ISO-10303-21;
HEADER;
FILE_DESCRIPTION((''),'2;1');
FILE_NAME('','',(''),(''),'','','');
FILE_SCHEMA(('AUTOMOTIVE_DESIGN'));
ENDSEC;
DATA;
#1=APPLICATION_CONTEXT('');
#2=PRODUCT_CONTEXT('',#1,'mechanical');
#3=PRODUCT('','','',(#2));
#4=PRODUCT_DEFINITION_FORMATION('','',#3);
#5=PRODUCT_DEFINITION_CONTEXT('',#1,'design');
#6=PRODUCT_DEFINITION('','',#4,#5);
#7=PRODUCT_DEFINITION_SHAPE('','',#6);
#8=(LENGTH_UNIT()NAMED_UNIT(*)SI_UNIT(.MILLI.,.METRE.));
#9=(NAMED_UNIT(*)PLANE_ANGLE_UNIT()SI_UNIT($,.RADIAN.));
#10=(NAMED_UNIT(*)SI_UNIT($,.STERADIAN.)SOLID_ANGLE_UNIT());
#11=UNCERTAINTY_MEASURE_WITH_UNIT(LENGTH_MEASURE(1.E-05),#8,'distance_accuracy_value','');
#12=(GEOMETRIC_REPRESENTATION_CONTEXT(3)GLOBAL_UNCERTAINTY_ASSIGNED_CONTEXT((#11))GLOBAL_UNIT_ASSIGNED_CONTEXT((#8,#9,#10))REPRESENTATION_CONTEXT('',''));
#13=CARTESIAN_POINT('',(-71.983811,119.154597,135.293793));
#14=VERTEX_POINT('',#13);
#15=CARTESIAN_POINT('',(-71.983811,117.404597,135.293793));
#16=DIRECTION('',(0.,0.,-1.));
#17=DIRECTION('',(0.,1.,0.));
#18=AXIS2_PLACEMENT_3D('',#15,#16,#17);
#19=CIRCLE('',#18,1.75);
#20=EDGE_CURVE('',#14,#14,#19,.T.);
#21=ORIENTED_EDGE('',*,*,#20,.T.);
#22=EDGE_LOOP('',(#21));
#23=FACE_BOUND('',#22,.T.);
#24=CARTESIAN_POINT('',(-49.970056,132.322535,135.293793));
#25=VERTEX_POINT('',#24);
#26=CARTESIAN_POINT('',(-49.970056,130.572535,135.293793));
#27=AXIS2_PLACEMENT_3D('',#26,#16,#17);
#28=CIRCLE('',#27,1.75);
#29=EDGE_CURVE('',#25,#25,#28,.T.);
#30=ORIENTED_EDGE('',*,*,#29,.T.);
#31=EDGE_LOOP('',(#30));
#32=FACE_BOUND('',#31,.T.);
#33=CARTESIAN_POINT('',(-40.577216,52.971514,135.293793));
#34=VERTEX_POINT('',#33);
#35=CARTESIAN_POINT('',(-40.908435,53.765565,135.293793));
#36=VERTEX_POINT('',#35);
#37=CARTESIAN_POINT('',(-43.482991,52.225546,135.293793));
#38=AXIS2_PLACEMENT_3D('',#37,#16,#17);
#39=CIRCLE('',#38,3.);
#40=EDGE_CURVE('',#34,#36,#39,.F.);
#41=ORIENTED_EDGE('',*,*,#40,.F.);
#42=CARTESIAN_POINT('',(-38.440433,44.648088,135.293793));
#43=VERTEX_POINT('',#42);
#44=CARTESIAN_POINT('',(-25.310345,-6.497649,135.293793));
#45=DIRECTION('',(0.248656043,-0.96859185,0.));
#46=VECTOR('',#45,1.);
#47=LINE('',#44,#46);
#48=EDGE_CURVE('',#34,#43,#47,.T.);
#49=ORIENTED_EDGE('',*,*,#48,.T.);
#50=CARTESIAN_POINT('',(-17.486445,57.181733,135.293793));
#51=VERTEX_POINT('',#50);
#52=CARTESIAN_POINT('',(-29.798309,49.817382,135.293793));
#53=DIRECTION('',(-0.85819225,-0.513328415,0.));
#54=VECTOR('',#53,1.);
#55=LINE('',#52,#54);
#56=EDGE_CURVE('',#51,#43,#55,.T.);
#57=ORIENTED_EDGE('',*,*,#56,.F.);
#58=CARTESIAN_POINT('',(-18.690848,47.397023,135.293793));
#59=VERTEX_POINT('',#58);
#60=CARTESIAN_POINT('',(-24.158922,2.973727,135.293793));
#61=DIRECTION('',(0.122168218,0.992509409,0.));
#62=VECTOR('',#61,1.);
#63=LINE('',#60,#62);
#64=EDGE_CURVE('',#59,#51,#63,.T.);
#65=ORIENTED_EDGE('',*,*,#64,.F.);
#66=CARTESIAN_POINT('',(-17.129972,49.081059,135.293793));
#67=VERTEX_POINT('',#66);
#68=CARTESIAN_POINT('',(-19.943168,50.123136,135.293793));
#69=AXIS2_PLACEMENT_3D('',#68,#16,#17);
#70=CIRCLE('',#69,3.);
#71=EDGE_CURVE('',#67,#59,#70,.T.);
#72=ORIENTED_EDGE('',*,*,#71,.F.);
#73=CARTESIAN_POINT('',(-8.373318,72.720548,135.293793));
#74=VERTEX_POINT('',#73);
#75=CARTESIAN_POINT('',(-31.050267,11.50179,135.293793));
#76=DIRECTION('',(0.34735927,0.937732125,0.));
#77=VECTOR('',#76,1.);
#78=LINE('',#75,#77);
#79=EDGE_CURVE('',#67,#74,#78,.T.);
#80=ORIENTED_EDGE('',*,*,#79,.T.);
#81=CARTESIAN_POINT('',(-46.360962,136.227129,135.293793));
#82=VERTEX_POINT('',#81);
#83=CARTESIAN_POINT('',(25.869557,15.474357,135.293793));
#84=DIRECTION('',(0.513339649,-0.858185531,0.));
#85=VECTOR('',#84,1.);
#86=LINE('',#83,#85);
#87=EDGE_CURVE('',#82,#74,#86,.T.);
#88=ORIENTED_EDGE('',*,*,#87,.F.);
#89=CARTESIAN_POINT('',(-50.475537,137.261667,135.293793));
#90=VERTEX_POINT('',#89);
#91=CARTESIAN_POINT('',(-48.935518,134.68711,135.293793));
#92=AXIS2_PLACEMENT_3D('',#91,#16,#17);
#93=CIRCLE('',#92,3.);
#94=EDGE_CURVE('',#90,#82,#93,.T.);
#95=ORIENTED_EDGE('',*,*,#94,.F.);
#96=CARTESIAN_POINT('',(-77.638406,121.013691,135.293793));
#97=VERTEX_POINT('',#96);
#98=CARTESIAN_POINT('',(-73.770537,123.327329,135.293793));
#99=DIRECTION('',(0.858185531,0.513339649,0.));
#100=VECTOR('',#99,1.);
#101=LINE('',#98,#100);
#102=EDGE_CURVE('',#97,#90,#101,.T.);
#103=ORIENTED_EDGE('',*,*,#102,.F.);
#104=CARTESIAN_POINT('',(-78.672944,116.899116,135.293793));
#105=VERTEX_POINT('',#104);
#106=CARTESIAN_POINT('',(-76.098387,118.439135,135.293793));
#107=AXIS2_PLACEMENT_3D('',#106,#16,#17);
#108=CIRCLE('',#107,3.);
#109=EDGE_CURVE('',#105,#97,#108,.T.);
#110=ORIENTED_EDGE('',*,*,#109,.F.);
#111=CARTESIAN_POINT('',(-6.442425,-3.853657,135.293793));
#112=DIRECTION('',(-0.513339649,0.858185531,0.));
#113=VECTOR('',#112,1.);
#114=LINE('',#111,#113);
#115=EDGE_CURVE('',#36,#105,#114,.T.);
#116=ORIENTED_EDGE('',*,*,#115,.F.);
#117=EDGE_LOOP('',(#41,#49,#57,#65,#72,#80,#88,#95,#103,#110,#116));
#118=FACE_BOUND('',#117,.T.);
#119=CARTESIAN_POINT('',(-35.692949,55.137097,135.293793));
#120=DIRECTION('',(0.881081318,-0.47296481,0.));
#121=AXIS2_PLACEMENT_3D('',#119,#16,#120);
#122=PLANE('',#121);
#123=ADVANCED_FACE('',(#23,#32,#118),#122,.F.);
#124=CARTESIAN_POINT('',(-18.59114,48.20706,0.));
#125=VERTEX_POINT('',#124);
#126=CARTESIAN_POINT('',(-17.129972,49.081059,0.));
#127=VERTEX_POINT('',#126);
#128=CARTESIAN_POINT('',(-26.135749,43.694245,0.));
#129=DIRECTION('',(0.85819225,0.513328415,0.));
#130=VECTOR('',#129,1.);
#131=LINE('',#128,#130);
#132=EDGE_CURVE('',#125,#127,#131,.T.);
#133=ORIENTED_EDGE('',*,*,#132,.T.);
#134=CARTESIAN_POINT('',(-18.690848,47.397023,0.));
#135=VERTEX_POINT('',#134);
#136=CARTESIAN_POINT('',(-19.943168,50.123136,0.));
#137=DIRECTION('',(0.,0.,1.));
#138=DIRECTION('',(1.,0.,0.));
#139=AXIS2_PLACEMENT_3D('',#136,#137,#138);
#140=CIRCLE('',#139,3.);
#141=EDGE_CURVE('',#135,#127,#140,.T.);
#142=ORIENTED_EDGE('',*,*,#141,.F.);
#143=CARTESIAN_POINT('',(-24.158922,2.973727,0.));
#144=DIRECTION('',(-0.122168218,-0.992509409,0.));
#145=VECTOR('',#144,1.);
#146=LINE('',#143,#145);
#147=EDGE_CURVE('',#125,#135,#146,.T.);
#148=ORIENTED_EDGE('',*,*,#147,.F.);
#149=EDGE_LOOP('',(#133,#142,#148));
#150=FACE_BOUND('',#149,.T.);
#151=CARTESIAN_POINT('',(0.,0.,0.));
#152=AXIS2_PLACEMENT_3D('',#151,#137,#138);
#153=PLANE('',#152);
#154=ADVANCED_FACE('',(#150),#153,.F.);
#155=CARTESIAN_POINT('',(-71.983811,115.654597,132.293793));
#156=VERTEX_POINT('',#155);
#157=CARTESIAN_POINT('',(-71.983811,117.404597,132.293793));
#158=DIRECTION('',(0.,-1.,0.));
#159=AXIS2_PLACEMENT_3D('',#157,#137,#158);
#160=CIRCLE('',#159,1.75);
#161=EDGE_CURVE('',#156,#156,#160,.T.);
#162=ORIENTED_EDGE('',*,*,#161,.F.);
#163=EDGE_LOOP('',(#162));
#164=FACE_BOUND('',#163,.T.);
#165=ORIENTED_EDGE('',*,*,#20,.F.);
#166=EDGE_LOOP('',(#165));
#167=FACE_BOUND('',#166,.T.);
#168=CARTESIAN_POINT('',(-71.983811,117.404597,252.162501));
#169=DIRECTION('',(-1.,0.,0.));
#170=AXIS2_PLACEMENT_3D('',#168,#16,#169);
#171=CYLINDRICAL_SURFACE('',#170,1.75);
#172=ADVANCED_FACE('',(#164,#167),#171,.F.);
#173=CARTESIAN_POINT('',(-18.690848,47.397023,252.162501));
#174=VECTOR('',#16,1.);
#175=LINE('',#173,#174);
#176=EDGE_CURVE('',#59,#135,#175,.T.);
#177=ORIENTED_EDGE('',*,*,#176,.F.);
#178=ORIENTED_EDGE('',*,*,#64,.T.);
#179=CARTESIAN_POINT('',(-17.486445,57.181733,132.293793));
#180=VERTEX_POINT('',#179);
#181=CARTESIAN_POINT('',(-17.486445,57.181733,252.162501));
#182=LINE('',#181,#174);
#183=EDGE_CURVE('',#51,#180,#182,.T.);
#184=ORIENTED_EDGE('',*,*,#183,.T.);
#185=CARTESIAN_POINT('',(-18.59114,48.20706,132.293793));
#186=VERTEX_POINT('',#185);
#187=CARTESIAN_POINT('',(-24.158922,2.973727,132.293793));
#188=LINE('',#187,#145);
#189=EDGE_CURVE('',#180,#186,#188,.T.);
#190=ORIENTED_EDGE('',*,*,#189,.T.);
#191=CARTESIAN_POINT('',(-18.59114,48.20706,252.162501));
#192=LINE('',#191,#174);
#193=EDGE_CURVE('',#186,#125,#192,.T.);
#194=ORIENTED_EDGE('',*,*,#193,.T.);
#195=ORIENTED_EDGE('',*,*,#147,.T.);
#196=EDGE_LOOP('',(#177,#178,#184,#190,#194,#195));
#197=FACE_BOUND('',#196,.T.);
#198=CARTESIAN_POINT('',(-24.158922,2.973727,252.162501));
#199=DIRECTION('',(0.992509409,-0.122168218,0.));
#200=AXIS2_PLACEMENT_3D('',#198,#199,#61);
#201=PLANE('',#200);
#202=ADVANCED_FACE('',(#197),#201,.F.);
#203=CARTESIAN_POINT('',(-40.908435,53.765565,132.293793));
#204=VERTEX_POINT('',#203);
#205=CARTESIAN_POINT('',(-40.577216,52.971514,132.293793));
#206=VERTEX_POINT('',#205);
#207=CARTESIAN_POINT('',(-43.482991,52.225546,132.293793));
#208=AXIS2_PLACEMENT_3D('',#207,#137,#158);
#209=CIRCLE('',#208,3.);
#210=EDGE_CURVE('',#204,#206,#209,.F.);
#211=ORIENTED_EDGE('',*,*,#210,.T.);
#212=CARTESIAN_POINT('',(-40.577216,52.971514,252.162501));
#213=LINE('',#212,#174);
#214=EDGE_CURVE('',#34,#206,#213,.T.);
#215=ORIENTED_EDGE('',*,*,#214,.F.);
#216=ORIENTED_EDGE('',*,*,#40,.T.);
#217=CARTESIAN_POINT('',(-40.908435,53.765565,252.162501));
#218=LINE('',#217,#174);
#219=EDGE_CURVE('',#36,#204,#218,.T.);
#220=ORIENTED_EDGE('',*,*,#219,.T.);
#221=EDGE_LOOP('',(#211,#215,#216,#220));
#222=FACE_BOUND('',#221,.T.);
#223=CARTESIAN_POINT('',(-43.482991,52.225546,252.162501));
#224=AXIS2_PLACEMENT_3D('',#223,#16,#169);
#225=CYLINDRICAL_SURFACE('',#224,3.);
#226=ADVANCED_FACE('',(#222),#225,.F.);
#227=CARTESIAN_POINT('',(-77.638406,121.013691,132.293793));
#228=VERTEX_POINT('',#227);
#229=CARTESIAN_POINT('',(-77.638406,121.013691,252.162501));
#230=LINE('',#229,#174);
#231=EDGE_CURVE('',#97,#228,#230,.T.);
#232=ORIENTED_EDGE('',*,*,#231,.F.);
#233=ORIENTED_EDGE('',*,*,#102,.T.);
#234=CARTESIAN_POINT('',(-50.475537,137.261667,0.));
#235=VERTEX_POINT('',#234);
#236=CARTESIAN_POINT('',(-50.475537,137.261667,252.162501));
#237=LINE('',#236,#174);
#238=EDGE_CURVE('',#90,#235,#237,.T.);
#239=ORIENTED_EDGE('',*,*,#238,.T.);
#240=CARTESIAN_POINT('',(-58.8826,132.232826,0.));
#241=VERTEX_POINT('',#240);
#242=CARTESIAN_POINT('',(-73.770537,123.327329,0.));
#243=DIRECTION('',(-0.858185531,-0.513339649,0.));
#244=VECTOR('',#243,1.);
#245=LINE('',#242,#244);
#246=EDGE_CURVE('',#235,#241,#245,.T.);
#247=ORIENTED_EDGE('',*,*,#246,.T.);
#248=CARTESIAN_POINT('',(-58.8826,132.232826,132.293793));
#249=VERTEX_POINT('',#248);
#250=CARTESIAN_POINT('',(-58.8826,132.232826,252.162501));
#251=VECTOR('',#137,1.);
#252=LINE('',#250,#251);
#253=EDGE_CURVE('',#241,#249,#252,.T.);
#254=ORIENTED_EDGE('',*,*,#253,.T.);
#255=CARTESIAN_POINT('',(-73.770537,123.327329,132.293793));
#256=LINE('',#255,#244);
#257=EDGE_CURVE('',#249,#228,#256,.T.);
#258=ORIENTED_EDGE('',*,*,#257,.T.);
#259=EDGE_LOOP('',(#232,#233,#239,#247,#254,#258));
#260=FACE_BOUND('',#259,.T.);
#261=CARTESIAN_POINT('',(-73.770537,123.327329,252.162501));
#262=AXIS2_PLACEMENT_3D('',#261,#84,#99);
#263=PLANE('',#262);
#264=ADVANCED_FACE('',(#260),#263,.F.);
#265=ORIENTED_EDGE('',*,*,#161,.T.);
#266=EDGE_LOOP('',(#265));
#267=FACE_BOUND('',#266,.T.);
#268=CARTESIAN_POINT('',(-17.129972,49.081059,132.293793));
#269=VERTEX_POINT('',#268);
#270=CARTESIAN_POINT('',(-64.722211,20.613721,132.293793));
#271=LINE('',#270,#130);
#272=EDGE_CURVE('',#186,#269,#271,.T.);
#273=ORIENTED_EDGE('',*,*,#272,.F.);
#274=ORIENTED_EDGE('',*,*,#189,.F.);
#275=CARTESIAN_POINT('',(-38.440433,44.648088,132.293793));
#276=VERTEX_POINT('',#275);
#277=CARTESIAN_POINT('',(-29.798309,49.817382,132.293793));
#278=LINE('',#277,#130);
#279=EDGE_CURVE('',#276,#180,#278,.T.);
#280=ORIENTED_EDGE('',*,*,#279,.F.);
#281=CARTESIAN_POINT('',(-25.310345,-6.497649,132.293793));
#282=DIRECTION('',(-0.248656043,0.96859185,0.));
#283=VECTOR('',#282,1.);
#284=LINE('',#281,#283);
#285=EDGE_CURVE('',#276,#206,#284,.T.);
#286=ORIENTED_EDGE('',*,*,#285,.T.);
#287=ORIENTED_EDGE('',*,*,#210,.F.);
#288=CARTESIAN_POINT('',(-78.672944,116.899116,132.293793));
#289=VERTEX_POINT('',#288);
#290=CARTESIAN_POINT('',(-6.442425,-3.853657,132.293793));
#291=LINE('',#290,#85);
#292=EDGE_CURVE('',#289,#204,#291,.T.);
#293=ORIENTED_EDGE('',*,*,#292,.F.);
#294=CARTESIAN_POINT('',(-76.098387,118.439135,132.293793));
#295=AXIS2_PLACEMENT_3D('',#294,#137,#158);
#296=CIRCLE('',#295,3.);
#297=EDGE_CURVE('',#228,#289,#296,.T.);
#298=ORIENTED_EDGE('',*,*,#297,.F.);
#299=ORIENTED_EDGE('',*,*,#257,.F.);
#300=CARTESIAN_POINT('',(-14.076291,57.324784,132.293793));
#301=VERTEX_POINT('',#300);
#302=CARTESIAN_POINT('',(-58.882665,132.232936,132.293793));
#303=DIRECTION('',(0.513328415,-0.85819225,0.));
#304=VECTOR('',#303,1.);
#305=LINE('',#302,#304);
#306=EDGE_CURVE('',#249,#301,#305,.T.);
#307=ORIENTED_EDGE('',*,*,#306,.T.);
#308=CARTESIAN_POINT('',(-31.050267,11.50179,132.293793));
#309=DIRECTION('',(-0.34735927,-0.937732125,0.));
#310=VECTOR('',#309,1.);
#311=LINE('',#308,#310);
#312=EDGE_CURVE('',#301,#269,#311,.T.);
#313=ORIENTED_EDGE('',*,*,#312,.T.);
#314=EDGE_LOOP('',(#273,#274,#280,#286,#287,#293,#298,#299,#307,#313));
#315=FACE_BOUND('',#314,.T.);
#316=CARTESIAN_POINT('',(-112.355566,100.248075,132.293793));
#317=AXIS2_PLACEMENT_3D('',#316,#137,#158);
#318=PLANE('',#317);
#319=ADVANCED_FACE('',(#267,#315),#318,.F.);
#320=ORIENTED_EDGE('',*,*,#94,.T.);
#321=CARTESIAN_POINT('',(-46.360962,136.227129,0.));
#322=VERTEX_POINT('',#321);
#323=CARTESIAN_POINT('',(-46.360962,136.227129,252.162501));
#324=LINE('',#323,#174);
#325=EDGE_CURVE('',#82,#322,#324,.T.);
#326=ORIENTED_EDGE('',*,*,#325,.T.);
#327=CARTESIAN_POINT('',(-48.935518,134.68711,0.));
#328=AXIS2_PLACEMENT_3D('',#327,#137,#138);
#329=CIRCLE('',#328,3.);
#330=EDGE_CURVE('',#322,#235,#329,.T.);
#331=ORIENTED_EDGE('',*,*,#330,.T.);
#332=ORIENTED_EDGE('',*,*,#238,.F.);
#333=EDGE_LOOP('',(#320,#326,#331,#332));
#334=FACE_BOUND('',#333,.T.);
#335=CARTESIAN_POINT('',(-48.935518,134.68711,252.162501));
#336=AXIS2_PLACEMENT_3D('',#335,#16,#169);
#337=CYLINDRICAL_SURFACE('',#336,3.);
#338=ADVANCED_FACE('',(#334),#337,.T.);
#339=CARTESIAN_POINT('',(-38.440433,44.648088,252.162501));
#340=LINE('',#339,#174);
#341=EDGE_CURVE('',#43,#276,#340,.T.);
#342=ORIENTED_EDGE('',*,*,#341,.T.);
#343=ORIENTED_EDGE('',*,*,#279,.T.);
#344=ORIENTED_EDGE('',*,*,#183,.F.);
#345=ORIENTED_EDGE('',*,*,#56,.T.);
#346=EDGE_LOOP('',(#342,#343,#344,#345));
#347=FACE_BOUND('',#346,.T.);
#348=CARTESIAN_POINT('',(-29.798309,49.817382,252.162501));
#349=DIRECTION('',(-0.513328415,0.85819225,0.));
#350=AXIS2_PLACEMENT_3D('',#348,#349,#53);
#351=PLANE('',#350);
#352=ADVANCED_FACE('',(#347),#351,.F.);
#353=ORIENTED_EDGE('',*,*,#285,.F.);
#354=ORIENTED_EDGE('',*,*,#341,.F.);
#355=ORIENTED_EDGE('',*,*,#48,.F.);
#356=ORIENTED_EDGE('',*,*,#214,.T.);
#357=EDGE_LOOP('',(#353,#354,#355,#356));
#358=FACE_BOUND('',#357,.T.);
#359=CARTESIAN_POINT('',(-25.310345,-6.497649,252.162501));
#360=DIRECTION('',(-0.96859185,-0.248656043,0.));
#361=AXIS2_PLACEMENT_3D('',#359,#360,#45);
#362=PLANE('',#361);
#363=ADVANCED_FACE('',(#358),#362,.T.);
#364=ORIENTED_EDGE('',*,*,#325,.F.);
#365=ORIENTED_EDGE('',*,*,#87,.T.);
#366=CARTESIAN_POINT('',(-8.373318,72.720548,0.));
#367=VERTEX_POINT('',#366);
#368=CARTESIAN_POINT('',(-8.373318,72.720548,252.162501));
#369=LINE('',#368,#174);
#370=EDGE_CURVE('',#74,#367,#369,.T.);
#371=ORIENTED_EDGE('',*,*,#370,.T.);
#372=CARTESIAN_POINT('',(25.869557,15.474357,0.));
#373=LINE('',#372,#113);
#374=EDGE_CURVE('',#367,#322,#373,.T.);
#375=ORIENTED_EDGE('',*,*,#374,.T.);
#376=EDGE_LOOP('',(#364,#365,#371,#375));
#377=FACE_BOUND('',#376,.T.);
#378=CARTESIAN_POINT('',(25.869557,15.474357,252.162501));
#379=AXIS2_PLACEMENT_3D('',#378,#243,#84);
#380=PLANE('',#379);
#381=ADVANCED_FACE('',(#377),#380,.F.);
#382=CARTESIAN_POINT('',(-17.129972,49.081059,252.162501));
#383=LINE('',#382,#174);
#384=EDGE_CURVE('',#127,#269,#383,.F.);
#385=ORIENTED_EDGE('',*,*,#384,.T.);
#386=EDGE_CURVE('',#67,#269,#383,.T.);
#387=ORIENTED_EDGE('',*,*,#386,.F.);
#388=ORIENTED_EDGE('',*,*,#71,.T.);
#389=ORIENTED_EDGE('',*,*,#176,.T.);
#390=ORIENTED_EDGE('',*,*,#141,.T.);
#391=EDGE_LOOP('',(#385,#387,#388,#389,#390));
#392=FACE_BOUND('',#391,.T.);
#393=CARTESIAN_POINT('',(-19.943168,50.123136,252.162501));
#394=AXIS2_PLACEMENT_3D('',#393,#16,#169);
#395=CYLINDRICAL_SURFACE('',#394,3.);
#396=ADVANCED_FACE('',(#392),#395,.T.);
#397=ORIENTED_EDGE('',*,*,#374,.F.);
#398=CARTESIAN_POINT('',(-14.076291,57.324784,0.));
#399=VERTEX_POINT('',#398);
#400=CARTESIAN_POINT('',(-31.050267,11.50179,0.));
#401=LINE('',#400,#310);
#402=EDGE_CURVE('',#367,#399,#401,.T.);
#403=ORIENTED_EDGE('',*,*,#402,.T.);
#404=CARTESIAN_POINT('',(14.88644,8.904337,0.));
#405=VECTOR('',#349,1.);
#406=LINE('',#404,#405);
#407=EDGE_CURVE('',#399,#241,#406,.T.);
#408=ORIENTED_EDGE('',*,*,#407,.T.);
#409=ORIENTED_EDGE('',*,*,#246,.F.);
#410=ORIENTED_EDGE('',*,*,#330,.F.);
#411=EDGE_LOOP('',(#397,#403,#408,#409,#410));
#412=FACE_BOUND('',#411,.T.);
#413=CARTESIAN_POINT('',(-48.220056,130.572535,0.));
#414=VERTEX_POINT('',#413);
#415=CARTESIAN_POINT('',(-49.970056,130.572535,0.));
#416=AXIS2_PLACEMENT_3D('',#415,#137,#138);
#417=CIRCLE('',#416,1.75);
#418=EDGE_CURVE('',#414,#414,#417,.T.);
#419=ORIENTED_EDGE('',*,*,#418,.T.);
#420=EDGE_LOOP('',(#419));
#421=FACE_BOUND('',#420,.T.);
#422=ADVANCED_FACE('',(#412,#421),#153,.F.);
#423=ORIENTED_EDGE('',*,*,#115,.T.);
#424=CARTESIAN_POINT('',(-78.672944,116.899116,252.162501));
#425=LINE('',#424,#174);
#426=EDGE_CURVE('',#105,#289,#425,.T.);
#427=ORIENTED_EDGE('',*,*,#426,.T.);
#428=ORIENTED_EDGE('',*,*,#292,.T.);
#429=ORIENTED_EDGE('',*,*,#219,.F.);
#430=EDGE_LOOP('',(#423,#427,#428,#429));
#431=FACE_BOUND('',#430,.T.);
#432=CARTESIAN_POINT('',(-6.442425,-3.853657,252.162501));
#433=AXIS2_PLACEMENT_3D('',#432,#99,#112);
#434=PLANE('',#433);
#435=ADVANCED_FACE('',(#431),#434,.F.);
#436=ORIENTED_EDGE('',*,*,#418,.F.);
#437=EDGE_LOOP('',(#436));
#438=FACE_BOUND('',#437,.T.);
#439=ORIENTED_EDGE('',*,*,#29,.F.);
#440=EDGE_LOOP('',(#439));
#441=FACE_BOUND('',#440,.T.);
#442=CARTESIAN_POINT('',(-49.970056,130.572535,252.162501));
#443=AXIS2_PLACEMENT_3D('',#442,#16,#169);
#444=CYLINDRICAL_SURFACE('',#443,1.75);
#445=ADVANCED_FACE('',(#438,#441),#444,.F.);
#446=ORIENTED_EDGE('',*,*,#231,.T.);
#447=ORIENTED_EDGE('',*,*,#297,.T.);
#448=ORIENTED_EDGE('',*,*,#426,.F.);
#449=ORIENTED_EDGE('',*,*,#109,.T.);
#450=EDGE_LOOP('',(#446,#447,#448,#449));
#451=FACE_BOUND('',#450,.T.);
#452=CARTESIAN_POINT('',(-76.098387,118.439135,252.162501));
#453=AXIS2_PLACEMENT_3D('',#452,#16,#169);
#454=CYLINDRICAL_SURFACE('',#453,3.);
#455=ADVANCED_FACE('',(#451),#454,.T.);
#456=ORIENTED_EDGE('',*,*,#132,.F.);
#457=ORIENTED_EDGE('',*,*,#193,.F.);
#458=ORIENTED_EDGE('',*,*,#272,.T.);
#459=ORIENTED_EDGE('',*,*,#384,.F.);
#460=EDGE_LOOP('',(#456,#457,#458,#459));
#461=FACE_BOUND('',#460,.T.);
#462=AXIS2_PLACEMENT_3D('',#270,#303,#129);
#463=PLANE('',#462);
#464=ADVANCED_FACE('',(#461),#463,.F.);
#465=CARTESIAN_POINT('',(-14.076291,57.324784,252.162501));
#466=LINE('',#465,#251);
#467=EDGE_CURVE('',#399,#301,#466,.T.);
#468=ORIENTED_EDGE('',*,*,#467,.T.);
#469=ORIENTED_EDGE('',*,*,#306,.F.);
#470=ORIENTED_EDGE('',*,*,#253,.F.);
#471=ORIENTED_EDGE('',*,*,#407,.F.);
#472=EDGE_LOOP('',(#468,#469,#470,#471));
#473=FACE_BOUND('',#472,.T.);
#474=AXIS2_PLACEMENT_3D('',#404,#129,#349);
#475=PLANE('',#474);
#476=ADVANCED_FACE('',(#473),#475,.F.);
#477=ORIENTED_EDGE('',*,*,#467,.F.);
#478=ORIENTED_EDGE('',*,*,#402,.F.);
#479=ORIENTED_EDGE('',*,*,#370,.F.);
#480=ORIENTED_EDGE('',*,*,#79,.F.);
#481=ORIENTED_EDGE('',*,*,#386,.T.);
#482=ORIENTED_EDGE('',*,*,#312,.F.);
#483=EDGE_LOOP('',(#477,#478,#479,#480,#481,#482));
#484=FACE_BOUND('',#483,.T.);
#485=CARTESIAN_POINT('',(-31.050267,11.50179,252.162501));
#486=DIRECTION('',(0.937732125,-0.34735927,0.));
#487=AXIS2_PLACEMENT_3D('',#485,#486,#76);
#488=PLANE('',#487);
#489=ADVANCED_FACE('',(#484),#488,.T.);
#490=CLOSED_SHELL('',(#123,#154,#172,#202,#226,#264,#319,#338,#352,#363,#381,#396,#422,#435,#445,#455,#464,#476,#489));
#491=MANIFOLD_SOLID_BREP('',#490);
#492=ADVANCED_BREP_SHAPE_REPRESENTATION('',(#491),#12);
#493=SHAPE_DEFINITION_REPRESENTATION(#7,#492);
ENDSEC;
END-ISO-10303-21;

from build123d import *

# Parameters (mm, degrees)
SKETCH_1_R          = 1.75
EXTRUDE_1_DEPTH     = 135.293792798
SKETCH_3_W          = 133.999999999
SKETCH_3_H          = 92.793140679
CUT_EXTRUDE_1_DEPTH = 210.099404157


with BuildPart() as part:
    # 草图1 → 凸台-拉伸1 (new body)
    with BuildSketch(Plane.XY):
        with BuildLine():
            Line((-17.129972102, 49.08105856), (-8.373318144, 72.720547785))
            Line((-8.373318144, 72.720547785), (-46.360961782, 136.227129066))
            ThreePointArc((-46.360961782, 136.227129066), (-48.203989789, 137.596554385), (-50.47553732, 137.261666712))
            Line((-50.47553732, 137.261666712), (-77.638405872, 121.013691307))
            ThreePointArc((-77.638405872, 121.013691307), (-79.007831191, 119.1706633), (-78.672943518, 116.899115769))
            Line((-78.672943518, 116.899115769), (-40.908434768, 53.765564573))
            ThreePointArc((-40.908434768, 53.765564573), (-40.714211977, 53.380474511), (-40.57721581, 52.971513757))
            Line((-40.57721581, 52.971513757), (-38.440433205, 44.648087586))
            Line((-38.440433205, 44.648087586), (-17.486445488, 57.181732929))
            Line((-17.486445488, 57.181732929), (-18.690847722, 47.397023253))
            ThreePointArc((-18.690847722, 47.397023253), (-17.742918238, 48.083798514), (-17.129972102, 49.08105856))
        make_face()
        with Locations(Location((-71.983811388, 117.404597068, 0), (0, 0, 90))):
            Circle(SKETCH_1_R, mode=Mode.SUBTRACT)
        with Locations(Location((-49.970056021, 130.572534582, 0), (0, 0, 90))):
            Circle(SKETCH_1_R, mode=Mode.SUBTRACT)
    extrude(amount=EXTRUDE_1_DEPTH)

    # 草图3 → 切除-拉伸1 (cut, through all)
    with BuildSketch(Plane(origin=(14.886439913, 8.904336531, 0), x_dir=(0, 0, -1), z_dir=(0.8581922502722595, 0.5133284149281387, 0))):
        with Locations((-65.293792798, 97.310855858)):
            Rectangle(SKETCH_3_W, SKETCH_3_H)
    extrude(amount=-CUT_EXTRUDE_1_DEPTH, mode=Mode.SUBTRACT)


solid = part.part
